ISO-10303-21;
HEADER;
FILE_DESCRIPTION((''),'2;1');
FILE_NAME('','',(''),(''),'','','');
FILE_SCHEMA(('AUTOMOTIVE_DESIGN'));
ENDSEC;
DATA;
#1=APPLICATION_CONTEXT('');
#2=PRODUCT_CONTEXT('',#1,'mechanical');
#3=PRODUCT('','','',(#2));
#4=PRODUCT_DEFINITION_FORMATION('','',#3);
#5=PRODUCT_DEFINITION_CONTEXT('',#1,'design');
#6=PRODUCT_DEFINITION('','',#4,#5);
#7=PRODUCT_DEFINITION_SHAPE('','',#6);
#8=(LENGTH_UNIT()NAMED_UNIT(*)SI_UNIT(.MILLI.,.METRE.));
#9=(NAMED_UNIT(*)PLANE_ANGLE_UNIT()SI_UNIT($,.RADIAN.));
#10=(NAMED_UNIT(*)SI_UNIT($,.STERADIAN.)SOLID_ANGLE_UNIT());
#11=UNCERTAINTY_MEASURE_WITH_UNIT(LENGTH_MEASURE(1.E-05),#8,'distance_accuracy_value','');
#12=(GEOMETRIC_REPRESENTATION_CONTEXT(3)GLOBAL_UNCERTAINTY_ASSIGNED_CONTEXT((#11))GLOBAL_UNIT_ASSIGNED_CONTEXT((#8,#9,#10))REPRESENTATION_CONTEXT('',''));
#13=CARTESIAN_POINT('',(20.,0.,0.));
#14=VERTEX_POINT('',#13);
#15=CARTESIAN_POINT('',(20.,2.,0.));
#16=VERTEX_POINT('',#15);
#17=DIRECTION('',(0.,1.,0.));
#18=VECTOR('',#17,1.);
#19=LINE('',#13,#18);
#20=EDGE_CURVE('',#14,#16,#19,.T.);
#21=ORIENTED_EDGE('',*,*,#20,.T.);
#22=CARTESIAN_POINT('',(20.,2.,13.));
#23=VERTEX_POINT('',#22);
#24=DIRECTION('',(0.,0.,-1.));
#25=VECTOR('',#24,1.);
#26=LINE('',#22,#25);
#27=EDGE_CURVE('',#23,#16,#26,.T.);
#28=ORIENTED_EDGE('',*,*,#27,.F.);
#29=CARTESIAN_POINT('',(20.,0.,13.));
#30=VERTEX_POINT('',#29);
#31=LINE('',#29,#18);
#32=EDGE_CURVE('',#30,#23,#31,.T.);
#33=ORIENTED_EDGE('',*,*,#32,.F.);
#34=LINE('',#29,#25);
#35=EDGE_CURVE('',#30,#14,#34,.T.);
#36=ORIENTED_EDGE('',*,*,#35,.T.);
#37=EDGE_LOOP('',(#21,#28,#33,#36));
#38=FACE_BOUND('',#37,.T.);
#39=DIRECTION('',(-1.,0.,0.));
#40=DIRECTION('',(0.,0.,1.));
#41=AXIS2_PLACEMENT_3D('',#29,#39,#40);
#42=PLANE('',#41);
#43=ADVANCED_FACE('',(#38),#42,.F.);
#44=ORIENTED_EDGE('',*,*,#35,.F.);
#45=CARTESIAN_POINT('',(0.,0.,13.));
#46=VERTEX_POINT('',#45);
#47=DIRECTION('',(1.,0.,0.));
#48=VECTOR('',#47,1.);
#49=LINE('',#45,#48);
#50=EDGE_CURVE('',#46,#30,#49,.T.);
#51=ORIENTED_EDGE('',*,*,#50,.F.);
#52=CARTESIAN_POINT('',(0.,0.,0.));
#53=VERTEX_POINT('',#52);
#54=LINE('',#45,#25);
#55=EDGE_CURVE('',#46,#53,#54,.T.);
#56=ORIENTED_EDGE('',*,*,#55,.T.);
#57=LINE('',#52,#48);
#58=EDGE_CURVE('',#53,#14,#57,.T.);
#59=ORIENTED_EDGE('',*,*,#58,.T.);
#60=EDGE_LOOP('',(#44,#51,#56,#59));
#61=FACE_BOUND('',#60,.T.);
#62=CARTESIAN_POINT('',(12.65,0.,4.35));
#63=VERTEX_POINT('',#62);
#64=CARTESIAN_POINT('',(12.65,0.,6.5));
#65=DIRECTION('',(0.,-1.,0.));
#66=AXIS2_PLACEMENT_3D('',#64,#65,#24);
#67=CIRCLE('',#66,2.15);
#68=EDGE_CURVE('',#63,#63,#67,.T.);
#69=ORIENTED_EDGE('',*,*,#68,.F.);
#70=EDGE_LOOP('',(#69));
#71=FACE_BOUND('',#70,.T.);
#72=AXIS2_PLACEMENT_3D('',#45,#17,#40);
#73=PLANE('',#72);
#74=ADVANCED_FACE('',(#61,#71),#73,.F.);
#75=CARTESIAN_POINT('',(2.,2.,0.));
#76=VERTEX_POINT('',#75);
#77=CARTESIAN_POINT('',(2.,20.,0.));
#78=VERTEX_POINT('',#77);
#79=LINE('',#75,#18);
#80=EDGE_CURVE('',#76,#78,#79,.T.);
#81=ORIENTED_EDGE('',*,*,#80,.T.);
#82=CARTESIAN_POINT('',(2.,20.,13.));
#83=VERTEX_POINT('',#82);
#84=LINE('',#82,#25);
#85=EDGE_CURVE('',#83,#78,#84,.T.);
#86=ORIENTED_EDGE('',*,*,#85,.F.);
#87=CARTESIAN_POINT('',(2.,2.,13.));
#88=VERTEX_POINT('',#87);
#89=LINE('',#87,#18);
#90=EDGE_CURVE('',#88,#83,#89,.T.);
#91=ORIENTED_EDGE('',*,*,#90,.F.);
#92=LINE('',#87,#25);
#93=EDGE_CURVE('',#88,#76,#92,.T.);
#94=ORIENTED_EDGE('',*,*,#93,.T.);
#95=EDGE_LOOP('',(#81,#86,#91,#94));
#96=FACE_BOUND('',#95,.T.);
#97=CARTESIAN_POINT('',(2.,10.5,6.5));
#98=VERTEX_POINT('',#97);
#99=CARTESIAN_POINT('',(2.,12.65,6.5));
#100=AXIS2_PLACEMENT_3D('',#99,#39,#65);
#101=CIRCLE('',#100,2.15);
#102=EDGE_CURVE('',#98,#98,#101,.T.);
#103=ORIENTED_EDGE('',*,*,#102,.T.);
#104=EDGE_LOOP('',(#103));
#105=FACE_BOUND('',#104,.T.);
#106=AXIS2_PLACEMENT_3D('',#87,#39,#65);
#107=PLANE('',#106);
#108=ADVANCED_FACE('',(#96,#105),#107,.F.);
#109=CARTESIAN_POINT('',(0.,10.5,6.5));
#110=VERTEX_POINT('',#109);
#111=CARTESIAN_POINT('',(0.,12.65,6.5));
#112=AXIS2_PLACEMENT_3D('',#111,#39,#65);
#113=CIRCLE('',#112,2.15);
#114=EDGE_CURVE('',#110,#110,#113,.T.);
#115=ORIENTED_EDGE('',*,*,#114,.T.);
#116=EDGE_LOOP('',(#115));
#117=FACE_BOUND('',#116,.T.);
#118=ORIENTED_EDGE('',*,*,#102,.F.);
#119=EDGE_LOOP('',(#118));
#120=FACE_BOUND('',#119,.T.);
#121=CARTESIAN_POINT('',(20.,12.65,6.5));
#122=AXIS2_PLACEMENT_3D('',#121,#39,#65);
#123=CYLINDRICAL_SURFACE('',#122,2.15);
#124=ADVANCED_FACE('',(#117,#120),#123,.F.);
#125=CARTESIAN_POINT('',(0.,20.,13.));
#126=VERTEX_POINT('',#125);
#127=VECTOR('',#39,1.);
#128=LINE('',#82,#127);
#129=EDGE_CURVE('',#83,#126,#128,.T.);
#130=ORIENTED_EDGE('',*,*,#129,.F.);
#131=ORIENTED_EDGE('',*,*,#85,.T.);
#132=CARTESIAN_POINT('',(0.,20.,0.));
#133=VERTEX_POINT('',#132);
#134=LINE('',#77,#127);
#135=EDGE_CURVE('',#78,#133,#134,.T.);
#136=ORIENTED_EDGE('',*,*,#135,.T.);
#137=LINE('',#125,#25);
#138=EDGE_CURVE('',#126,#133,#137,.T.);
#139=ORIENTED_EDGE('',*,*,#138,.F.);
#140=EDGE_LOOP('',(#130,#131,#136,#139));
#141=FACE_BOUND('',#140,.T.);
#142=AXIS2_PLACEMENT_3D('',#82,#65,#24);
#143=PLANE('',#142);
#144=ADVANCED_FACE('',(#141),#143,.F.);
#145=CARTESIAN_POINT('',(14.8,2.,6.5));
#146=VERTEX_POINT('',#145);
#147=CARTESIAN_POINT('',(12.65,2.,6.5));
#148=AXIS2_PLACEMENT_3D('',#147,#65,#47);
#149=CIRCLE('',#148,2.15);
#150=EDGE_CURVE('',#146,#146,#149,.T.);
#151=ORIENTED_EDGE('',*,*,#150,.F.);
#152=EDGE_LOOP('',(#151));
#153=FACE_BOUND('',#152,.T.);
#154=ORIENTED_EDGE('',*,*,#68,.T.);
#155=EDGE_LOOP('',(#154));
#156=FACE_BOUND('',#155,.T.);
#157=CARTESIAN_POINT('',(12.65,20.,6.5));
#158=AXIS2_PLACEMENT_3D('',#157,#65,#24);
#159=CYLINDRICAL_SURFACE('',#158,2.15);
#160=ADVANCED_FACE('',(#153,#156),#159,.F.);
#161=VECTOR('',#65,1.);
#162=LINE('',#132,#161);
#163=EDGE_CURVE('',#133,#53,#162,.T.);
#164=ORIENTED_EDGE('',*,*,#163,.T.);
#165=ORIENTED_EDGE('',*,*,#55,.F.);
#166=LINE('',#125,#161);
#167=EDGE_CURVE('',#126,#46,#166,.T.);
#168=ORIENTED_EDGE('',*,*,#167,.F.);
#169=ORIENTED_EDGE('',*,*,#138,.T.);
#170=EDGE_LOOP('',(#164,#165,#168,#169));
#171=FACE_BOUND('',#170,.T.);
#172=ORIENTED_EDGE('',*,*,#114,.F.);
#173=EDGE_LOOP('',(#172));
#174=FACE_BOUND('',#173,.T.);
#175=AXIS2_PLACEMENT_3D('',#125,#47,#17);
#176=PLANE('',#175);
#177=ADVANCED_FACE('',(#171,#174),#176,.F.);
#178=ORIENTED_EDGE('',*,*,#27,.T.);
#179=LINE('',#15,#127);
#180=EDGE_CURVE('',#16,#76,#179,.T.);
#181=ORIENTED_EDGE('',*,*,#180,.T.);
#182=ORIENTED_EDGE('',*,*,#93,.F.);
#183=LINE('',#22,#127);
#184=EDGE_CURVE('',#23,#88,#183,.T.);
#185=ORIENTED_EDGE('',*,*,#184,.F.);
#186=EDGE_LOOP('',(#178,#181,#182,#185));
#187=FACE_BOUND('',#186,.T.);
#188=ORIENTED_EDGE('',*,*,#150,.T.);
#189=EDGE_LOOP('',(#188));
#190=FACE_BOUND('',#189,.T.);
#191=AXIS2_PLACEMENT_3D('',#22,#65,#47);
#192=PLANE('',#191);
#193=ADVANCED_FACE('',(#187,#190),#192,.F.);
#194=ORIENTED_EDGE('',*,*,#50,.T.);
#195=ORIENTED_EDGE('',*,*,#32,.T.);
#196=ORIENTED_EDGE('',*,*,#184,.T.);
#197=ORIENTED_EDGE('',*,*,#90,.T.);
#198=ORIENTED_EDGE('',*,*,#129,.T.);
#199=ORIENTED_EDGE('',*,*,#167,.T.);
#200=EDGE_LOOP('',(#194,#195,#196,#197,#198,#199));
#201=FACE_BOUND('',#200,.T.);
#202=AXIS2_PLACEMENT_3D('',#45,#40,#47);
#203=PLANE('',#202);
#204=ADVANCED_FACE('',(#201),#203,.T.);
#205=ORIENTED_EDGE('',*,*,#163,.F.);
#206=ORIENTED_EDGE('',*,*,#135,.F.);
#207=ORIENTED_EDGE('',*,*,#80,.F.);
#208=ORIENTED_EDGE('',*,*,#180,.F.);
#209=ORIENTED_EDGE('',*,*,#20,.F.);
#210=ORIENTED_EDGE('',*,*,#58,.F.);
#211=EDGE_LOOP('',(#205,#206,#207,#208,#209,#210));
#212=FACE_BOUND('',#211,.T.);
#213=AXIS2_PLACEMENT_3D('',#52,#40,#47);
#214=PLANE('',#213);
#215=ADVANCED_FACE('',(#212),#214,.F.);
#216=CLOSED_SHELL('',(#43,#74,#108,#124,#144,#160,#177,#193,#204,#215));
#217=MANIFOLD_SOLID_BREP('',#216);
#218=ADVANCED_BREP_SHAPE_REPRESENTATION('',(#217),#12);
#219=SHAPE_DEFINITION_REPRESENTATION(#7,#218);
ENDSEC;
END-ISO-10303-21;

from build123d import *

# Parameters (mm, degrees)
BOSS_EXTRUDE1_DEPTH = 13
SKETCH2_R           = 2.15
CUT_EXTRUDE1_DEPTH  = 21
SKETCH3_R           = 2.15
CUT_EXTRUDE2_DEPTH  = 21


with BuildPart() as part:
    # Sketch1 → Boss-Extrude1 (new body)
    with BuildSketch(Plane.XY):
        Polygon((0, 20), (0, 0), (20, 0), (20, 2), (2, 2), (2, 20), align=None)
    extrude(amount=BOSS_EXTRUDE1_DEPTH)

    # Sketch2 → Cut-Extrude1 (cut, through all)
    with BuildSketch(Plane.ZY):
        with Locations((6.5, 12.65)):
            Circle(SKETCH2_R)
    extrude(amount=-CUT_EXTRUDE1_DEPTH, mode=Mode.SUBTRACT)

    # Sketch3 → Cut-Extrude2 (cut, through all)
    with BuildSketch(Plane.XZ):
        with Locations((12.65, 6.5)):
            Circle(SKETCH3_R)
    extrude(amount=-CUT_EXTRUDE2_DEPTH, mode=Mode.SUBTRACT)


solid = part.part
